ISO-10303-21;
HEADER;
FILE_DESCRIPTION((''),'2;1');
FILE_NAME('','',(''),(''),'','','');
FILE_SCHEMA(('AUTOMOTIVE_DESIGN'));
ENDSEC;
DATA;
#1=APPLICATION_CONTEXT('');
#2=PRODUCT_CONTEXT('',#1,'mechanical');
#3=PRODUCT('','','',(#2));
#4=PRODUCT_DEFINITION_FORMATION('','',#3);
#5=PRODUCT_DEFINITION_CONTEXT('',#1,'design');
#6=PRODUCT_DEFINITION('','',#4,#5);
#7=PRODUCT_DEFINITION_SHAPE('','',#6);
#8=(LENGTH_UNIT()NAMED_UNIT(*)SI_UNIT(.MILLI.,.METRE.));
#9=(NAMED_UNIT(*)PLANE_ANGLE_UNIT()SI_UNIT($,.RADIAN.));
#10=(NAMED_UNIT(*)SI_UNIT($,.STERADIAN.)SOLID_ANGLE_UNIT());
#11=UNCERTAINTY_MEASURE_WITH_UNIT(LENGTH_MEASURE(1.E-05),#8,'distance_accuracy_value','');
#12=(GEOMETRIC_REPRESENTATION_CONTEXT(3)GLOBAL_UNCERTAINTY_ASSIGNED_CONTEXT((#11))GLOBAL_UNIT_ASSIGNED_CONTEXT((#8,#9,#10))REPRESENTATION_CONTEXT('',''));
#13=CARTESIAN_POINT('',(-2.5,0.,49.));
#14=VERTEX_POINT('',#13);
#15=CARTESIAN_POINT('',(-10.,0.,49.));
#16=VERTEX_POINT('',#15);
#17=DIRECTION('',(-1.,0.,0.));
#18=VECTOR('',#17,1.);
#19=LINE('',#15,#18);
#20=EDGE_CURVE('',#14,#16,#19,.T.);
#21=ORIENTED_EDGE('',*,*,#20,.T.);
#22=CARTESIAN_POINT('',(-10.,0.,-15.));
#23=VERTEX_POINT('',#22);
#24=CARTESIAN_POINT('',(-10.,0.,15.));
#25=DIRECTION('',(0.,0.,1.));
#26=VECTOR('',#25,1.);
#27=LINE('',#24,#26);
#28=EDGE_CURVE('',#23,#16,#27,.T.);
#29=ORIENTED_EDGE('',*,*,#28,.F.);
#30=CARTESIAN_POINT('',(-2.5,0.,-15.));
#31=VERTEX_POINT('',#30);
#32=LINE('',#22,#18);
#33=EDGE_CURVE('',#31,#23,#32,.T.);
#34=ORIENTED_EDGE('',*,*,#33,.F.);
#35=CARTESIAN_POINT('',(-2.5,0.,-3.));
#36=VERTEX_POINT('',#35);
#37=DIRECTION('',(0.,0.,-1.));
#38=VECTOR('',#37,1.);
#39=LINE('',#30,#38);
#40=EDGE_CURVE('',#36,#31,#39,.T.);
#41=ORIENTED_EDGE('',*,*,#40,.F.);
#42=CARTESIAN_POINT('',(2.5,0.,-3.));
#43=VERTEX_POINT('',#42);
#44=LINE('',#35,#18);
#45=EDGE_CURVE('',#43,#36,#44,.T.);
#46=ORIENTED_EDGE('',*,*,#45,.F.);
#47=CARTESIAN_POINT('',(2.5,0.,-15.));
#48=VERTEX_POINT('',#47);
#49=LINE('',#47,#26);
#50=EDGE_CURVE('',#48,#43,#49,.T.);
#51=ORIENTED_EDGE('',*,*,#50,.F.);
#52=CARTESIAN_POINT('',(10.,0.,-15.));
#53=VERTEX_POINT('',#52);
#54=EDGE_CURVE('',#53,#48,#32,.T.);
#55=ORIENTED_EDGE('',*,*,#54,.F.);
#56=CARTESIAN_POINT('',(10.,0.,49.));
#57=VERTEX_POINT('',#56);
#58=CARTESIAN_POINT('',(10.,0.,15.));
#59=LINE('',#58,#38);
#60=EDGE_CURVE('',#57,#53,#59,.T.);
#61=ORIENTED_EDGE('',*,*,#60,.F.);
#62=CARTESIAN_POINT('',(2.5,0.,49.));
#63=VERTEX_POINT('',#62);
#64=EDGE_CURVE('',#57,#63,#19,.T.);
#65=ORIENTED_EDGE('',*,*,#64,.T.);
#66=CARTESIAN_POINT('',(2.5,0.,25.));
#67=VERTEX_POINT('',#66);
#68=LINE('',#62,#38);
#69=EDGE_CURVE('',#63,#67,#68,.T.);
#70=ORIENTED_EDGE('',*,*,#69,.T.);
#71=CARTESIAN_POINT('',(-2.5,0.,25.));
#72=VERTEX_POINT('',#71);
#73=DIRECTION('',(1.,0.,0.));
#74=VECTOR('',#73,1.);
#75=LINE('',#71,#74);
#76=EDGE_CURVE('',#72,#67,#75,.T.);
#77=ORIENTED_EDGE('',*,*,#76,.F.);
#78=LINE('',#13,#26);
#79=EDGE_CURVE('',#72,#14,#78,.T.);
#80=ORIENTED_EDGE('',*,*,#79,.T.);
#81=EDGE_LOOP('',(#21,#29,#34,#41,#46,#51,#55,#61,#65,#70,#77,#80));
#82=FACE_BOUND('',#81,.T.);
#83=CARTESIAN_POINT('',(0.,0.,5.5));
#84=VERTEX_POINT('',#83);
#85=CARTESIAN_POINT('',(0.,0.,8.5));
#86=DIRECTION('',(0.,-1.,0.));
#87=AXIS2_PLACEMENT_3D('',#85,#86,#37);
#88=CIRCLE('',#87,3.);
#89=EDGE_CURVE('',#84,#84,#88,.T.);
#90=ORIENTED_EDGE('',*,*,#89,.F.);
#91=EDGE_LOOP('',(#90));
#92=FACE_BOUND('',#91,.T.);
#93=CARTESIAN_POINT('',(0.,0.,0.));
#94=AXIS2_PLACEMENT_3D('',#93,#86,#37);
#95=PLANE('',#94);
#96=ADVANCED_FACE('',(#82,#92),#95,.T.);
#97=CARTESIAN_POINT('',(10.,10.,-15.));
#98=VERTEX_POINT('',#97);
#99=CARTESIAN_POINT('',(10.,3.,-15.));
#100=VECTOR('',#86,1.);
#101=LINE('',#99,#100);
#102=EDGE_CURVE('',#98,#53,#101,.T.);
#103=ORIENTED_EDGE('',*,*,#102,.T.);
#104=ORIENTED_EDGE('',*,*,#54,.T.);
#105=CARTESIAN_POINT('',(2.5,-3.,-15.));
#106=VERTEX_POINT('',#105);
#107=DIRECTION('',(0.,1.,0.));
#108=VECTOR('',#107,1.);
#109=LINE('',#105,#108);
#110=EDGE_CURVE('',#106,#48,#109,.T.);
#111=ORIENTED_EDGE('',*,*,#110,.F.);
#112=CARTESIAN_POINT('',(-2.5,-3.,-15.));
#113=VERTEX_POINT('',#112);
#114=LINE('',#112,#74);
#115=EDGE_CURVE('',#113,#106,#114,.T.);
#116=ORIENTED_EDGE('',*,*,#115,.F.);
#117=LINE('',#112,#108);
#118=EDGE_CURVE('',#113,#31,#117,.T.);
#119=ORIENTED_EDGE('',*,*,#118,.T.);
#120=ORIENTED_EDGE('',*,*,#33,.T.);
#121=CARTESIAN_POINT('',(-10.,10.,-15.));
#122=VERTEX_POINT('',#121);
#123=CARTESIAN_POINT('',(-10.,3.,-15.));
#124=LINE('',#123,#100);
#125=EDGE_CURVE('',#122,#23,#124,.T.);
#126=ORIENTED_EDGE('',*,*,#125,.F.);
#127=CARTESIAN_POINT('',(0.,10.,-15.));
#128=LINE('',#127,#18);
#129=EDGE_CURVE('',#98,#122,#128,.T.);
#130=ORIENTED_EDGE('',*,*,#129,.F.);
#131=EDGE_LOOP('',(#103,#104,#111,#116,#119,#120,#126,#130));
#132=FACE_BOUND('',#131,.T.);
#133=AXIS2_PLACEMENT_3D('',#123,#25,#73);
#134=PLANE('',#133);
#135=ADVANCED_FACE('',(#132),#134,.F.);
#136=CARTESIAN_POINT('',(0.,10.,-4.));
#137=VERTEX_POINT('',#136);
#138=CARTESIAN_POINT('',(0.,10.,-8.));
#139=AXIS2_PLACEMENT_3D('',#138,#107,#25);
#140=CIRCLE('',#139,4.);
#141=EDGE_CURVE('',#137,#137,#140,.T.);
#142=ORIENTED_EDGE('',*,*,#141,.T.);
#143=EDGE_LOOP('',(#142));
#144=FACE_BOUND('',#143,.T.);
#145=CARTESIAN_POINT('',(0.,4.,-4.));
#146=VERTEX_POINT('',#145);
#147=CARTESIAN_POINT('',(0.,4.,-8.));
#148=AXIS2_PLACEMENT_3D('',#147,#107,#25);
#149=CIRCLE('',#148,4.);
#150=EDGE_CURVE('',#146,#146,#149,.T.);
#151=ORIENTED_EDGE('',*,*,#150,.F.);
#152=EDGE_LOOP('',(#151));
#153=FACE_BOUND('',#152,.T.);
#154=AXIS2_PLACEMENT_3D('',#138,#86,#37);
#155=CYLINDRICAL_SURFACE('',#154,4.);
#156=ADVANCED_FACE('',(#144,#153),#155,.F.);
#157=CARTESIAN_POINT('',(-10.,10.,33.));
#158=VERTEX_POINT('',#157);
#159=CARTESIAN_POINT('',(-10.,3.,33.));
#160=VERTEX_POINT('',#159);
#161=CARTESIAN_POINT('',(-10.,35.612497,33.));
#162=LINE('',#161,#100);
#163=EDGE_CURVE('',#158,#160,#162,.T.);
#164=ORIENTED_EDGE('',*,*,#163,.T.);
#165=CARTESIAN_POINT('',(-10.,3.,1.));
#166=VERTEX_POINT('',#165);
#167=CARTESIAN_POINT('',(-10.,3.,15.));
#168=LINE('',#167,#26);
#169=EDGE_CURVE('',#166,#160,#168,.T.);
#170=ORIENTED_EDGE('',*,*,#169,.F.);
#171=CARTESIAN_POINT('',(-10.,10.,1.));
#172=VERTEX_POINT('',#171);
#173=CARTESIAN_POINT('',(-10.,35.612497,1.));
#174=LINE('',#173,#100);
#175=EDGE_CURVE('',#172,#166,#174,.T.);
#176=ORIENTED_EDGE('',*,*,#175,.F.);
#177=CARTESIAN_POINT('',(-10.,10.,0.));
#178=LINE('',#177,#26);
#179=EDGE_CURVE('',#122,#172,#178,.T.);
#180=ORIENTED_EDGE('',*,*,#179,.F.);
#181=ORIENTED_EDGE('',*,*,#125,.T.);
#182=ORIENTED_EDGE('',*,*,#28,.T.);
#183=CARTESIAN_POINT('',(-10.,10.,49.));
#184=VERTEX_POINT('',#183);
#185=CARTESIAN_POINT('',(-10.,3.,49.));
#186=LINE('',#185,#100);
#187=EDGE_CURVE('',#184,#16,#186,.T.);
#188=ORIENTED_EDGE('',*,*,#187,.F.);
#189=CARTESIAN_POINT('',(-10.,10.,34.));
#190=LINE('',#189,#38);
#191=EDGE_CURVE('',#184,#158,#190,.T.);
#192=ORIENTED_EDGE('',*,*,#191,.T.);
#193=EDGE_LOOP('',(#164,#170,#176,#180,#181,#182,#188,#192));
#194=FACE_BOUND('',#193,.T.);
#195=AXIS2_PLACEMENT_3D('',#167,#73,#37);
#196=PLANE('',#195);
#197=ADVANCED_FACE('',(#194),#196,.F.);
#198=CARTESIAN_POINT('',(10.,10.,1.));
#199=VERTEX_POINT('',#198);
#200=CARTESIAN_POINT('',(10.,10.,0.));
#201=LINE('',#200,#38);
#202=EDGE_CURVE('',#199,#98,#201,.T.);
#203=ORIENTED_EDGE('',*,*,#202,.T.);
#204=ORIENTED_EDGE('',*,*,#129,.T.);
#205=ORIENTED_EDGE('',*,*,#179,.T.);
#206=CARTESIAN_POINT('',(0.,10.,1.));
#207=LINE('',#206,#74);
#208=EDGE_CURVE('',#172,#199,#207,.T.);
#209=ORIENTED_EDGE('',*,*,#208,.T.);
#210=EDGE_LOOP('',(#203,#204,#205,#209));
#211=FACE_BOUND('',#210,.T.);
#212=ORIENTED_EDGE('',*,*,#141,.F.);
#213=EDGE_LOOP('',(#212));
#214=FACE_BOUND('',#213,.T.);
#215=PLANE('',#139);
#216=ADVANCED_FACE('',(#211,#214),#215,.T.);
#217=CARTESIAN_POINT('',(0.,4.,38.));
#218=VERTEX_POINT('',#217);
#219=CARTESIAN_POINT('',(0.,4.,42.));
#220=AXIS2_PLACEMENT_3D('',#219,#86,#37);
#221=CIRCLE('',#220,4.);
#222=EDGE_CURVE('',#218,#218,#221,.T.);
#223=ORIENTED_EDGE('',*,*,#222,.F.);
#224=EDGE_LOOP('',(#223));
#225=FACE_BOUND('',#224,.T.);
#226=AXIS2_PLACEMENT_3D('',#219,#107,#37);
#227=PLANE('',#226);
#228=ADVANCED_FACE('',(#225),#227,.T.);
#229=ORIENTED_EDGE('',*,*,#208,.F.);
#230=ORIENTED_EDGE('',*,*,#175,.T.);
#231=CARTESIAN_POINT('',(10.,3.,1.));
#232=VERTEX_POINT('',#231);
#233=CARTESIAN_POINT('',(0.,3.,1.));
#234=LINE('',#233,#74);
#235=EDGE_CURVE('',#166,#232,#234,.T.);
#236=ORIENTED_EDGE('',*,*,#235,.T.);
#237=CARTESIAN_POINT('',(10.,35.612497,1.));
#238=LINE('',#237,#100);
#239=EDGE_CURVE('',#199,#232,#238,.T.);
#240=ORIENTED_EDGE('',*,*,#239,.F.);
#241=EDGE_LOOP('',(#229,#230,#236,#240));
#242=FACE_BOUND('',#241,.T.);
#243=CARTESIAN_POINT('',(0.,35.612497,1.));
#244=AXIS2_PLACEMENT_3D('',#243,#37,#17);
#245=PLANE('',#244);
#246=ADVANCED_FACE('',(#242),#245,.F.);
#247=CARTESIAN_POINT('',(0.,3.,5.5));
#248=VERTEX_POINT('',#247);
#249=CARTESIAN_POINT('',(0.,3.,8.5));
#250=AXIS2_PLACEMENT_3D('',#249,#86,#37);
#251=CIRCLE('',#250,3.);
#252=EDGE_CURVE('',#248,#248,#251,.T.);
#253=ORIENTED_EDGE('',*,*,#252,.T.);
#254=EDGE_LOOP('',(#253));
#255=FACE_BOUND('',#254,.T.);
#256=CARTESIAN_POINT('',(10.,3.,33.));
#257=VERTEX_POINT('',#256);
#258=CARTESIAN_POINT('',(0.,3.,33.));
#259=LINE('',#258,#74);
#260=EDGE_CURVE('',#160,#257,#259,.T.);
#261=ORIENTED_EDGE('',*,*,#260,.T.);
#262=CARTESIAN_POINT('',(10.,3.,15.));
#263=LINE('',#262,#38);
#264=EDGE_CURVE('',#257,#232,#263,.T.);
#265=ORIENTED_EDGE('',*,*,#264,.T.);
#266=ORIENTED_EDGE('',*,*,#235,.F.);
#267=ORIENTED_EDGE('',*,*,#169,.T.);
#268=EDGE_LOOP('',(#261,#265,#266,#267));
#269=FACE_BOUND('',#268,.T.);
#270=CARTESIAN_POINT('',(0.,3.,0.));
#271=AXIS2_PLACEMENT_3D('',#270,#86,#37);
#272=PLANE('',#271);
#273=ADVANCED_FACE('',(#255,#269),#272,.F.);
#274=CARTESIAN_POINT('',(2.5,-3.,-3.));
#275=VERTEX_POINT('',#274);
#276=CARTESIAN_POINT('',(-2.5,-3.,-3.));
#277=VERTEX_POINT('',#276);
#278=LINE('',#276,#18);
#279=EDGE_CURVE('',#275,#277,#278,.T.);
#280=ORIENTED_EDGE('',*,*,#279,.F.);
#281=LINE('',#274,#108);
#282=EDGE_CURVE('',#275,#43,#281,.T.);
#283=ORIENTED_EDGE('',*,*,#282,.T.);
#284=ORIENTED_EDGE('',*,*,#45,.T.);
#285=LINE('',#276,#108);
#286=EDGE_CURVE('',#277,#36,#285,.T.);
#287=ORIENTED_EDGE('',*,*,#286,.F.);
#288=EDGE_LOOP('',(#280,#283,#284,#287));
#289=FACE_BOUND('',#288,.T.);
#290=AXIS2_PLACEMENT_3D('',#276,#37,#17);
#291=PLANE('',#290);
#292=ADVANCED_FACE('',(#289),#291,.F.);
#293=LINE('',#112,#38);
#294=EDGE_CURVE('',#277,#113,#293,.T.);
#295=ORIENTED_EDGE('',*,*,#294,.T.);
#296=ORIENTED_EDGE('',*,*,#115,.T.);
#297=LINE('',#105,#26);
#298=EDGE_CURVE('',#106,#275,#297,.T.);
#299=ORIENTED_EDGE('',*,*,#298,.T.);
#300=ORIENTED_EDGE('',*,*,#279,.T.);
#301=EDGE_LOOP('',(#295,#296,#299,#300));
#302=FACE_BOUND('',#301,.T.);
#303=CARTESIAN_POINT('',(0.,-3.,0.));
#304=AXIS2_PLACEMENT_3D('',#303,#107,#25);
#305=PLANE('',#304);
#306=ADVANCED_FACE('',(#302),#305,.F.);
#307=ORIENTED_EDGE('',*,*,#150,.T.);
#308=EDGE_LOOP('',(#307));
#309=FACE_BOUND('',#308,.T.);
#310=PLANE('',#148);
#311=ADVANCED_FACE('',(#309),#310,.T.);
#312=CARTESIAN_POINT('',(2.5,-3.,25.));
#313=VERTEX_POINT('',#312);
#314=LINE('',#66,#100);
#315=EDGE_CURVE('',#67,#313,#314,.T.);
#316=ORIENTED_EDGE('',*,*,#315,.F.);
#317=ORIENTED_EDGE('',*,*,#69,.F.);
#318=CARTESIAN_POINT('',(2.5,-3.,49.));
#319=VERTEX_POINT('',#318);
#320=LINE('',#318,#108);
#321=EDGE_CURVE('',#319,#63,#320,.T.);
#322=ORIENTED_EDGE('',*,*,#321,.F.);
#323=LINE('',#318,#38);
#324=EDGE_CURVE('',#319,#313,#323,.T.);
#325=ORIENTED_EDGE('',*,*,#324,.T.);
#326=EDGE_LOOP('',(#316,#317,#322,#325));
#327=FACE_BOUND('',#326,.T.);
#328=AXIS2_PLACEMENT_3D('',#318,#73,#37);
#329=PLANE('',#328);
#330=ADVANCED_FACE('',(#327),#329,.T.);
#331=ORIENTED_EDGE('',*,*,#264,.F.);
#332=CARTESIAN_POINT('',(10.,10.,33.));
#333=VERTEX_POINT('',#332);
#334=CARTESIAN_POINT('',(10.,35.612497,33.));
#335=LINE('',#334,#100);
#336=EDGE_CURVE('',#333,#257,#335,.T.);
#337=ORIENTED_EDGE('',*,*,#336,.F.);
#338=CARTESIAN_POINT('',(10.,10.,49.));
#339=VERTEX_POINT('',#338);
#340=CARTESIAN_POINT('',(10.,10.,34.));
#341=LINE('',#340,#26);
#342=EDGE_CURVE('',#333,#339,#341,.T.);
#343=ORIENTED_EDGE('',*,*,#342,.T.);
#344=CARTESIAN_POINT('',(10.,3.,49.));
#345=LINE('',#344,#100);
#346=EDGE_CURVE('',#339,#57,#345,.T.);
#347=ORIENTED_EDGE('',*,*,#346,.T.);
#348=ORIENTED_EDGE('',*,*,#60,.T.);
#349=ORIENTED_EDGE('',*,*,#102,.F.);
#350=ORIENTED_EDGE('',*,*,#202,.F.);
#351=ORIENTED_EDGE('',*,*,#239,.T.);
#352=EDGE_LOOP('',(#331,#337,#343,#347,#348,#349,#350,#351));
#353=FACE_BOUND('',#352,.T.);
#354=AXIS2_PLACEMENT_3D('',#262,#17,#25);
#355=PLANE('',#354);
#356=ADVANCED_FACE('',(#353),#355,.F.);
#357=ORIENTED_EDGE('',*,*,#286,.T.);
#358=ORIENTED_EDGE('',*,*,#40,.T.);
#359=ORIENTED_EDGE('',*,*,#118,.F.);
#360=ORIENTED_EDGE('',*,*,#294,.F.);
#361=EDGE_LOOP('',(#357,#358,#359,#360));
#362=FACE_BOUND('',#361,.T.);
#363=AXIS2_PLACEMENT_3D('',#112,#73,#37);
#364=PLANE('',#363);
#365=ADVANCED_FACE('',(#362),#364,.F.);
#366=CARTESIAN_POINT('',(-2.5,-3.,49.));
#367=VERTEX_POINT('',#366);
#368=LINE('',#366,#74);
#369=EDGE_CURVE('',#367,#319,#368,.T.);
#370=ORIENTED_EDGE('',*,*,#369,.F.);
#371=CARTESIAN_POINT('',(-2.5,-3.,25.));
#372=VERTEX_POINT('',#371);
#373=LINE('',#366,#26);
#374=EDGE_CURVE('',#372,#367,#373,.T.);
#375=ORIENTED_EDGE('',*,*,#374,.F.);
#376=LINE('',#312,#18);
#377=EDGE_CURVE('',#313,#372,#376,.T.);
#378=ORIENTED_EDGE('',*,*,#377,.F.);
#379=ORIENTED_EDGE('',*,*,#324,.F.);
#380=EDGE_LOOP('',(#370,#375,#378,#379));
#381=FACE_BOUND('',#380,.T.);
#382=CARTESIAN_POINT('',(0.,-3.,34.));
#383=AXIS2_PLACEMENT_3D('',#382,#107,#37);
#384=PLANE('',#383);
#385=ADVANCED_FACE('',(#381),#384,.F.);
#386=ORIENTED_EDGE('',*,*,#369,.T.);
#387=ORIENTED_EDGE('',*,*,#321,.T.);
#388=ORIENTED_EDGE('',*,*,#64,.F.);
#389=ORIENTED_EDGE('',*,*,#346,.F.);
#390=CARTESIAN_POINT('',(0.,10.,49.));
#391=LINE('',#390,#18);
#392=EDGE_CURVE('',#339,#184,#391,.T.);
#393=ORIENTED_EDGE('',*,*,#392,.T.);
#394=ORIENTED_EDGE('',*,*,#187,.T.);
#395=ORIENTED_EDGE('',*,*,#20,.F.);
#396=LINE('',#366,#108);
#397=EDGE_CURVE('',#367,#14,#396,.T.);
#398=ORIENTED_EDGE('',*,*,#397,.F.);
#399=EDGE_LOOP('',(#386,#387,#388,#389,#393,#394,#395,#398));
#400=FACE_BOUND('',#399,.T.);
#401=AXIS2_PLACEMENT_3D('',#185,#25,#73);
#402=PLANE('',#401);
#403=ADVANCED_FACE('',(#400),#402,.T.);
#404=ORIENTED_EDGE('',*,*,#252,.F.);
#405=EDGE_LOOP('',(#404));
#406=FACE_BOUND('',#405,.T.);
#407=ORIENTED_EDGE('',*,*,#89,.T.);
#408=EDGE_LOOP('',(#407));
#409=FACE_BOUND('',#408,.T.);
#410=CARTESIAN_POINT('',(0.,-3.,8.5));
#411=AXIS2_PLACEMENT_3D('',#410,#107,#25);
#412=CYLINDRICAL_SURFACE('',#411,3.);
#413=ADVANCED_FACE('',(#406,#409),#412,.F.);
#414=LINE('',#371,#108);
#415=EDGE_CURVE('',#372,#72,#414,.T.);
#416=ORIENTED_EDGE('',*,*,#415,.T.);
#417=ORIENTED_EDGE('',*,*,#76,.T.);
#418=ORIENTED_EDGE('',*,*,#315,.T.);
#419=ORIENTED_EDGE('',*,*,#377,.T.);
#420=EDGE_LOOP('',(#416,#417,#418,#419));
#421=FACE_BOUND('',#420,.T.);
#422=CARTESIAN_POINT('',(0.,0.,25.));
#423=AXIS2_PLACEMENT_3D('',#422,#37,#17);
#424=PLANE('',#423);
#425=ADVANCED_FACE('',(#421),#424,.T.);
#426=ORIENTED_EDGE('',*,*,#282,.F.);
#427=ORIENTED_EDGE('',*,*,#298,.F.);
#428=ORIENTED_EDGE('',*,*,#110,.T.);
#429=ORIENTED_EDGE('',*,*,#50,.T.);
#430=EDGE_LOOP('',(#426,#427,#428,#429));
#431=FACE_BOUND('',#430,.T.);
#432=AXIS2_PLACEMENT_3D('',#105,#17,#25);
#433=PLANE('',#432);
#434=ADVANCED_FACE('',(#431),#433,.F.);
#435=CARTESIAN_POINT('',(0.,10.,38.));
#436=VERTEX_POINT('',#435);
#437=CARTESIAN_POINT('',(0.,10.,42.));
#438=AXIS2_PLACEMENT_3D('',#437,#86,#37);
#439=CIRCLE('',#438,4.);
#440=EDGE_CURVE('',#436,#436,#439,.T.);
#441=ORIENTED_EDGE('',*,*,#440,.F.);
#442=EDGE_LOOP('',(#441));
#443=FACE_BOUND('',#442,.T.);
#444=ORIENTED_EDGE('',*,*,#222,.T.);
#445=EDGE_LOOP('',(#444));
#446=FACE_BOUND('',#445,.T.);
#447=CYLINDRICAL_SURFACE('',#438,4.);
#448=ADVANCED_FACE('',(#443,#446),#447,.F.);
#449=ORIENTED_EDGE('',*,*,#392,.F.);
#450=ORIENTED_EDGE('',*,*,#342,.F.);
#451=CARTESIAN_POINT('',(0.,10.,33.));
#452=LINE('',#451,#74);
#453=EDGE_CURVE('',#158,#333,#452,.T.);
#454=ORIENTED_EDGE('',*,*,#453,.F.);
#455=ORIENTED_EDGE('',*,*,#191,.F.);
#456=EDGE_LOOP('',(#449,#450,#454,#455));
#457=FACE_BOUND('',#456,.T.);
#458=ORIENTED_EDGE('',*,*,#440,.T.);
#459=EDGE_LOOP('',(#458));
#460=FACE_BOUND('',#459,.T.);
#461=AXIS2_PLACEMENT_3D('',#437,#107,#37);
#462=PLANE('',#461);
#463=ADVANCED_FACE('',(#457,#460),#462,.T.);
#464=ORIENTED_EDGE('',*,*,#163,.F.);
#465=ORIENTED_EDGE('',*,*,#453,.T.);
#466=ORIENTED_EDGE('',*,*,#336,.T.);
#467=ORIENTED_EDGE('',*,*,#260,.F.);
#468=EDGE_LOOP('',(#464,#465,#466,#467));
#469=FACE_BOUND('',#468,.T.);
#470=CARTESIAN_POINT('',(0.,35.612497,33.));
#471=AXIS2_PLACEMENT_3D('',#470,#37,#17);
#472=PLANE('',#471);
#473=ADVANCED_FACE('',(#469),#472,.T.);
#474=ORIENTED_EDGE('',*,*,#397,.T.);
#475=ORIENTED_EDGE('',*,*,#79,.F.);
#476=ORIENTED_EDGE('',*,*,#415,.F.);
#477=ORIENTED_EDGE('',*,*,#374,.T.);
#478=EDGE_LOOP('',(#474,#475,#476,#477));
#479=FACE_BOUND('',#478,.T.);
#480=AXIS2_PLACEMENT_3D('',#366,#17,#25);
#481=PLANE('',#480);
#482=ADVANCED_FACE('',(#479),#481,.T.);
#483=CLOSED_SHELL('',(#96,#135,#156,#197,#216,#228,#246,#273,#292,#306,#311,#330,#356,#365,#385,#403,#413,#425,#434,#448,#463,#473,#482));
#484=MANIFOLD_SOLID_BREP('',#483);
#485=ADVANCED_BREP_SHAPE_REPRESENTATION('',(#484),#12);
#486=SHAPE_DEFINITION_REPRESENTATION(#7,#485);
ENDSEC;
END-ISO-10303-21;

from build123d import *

# Parameters (mm, degrees)
SKETCH1_W               = 20
SKETCH1_H               = 30
BOSS_EXTRUDE1_DEPTH     = 3
SKETCH2_W               = 5
SKETCH2_H               = 12
BOSS_EXTRUDE2_DEPTH     = 3
SKETCH3_R               = 7
SKETCH3_R_2             = 4
BOSS_EXTRUDE3_DEPTH     = 7
SKETCH4_R               = 4
BOSS_EXTRUDE4_DEPTH     = 1
CUT_EXTRUDE1_DEPTH      = 20.339079606
CUT_EXTRUDE1_DEPTH_BACK = 20.339079606
SKETCH5_R               = 3
SKETCH6_R               = 7
SKETCH6_R_2             = 4
BOSS_EXTRUDE6_DEPTH     = 7
SKETCH7_W               = 20
SKETCH7_H               = 3
BOSS_EXTRUDE7_DEPTH     = 19
SKETCH8_W               = 5
SKETCH8_H               = 3
BOSS_EXTRUDE8_DEPTH     = 12


with BuildPart() as part:
    # Sketch1 → Boss-Extrude1 (new body)
    with BuildSketch(Plane(origin=(0, 0, 0), x_dir=(1, 0, 0), z_dir=(0, 1, 0))):
        Rectangle(SKETCH1_W, SKETCH1_H)
    boss_extrude1 = extrude(amount=BOSS_EXTRUDE1_DEPTH)

    # Sketch2 → Boss-Extrude2 (add)
    with BuildSketch(Plane.XZ):
        with Locations((0, -9)):
            Rectangle(SKETCH2_W, SKETCH2_H)
    boss_extrude2 = extrude(amount=BOSS_EXTRUDE2_DEPTH)

    # Sketch3 → Boss-Extrude3 (add)
    with BuildSketch(Plane(origin=(0, 3, 0), x_dir=(1, 0, 0), z_dir=(0, 1, 0))):
        with Locations(Location((0, 8, 0), (0, 0, 90))):
            Circle(SKETCH3_R)
        with Locations(Location((0, 8, 0), (0, 0, 270))):
            Circle(SKETCH3_R_2, mode=Mode.SUBTRACT)
    boss_extrude3 = extrude(amount=BOSS_EXTRUDE3_DEPTH)

    # Sketch4 → Boss-Extrude4 (add)
    with BuildSketch(Plane(origin=(0, 3, 0), x_dir=(1, 0, 0), z_dir=(0, 1, 0))):
        with Locations(Location((0, 8, 0), (0, 0, 270))):
            Circle(SKETCH4_R)
    boss_extrude4 = extrude(amount=BOSS_EXTRUDE4_DEPTH)

    # Sketch5 → Cut-Extrude1 (cut, two sides: drawn at the far end of the back side and taken through both)
    with BuildSketch(Plane(origin=(0, 3, 0), x_dir=(1, 0, 0), z_dir=(0, 1, 0)).offset(-CUT_EXTRUDE1_DEPTH_BACK)):
        with Locations(Location((0, -8.5, 0), (0, 0, 90))):
            Circle(SKETCH5_R)
    extrude(amount=CUT_EXTRUDE1_DEPTH + CUT_EXTRUDE1_DEPTH_BACK, mode=Mode.SUBTRACT)

    # Sketch6 → Boss-Extrude6 (add)
    # profile 1 of 2: a face of its own
    with BuildSketch(Plane(origin=(0, 3, 0), x_dir=(1, 0, 0), z_dir=(0, 1, 0))):
        Polygon((0, 15), (-10, 15), (-10, -1), (10, -1), (10, 15), align=None)
        with BuildLine():
            ThreePointArc((7, 8), (-4.949747468, 3.050252532), (0, 15))
            ThreePointArc((0, 15), (4.949747468, 12.949747468), (7, 8))
        make_face(mode=Mode.SUBTRACT)
    # profile 2 of 2: a face of its own
    with BuildSketch(Plane(origin=(0, 3, 0), x_dir=(1, 0, 0), z_dir=(0, 1, 0))):
        with Locations((0, 8)):
            Circle(SKETCH6_R)
        with Locations(Location((0, 8, 0), (0, 0, 270))):
            Circle(SKETCH6_R_2, mode=Mode.SUBTRACT)
    boss_extrude6 = extrude(amount=BOSS_EXTRUDE6_DEPTH)

    # Sketch7 → Boss-Extrude7 (add)
    with BuildSketch(Plane.XY.offset(15)):
        with Locations((0, 1.5)):
            Rectangle(SKETCH7_W, SKETCH7_H)
    extrude(amount=BOSS_EXTRUDE7_DEPTH)

    # Mirror3: Boss-Extrude1, Boss-Extrude2, Boss-Extrude3, Boss-Extrude4, Boss-Extrude6 across plane
    add(boss_extrude1.mirror(Plane.XY.offset(17)))
    add(boss_extrude2.mirror(Plane.XY.offset(17)))
    add(boss_extrude3.mirror(Plane.XY.offset(17)))
    add(boss_extrude4.mirror(Plane.XY.offset(17)))
    add(boss_extrude6.mirror(Plane.XY.offset(17)))

    # Sketch8 → Boss-Extrude8 (add)
    with BuildSketch(Plane(origin=(0, 0, 37), x_dir=(-1, 0, 0), z_dir=(0, 0, -1))):
        with Locations((0, -1.5)):
            Rectangle(SKETCH8_W, SKETCH8_H)
    extrude(amount=BOSS_EXTRUDE8_DEPTH)


solid = part.part
